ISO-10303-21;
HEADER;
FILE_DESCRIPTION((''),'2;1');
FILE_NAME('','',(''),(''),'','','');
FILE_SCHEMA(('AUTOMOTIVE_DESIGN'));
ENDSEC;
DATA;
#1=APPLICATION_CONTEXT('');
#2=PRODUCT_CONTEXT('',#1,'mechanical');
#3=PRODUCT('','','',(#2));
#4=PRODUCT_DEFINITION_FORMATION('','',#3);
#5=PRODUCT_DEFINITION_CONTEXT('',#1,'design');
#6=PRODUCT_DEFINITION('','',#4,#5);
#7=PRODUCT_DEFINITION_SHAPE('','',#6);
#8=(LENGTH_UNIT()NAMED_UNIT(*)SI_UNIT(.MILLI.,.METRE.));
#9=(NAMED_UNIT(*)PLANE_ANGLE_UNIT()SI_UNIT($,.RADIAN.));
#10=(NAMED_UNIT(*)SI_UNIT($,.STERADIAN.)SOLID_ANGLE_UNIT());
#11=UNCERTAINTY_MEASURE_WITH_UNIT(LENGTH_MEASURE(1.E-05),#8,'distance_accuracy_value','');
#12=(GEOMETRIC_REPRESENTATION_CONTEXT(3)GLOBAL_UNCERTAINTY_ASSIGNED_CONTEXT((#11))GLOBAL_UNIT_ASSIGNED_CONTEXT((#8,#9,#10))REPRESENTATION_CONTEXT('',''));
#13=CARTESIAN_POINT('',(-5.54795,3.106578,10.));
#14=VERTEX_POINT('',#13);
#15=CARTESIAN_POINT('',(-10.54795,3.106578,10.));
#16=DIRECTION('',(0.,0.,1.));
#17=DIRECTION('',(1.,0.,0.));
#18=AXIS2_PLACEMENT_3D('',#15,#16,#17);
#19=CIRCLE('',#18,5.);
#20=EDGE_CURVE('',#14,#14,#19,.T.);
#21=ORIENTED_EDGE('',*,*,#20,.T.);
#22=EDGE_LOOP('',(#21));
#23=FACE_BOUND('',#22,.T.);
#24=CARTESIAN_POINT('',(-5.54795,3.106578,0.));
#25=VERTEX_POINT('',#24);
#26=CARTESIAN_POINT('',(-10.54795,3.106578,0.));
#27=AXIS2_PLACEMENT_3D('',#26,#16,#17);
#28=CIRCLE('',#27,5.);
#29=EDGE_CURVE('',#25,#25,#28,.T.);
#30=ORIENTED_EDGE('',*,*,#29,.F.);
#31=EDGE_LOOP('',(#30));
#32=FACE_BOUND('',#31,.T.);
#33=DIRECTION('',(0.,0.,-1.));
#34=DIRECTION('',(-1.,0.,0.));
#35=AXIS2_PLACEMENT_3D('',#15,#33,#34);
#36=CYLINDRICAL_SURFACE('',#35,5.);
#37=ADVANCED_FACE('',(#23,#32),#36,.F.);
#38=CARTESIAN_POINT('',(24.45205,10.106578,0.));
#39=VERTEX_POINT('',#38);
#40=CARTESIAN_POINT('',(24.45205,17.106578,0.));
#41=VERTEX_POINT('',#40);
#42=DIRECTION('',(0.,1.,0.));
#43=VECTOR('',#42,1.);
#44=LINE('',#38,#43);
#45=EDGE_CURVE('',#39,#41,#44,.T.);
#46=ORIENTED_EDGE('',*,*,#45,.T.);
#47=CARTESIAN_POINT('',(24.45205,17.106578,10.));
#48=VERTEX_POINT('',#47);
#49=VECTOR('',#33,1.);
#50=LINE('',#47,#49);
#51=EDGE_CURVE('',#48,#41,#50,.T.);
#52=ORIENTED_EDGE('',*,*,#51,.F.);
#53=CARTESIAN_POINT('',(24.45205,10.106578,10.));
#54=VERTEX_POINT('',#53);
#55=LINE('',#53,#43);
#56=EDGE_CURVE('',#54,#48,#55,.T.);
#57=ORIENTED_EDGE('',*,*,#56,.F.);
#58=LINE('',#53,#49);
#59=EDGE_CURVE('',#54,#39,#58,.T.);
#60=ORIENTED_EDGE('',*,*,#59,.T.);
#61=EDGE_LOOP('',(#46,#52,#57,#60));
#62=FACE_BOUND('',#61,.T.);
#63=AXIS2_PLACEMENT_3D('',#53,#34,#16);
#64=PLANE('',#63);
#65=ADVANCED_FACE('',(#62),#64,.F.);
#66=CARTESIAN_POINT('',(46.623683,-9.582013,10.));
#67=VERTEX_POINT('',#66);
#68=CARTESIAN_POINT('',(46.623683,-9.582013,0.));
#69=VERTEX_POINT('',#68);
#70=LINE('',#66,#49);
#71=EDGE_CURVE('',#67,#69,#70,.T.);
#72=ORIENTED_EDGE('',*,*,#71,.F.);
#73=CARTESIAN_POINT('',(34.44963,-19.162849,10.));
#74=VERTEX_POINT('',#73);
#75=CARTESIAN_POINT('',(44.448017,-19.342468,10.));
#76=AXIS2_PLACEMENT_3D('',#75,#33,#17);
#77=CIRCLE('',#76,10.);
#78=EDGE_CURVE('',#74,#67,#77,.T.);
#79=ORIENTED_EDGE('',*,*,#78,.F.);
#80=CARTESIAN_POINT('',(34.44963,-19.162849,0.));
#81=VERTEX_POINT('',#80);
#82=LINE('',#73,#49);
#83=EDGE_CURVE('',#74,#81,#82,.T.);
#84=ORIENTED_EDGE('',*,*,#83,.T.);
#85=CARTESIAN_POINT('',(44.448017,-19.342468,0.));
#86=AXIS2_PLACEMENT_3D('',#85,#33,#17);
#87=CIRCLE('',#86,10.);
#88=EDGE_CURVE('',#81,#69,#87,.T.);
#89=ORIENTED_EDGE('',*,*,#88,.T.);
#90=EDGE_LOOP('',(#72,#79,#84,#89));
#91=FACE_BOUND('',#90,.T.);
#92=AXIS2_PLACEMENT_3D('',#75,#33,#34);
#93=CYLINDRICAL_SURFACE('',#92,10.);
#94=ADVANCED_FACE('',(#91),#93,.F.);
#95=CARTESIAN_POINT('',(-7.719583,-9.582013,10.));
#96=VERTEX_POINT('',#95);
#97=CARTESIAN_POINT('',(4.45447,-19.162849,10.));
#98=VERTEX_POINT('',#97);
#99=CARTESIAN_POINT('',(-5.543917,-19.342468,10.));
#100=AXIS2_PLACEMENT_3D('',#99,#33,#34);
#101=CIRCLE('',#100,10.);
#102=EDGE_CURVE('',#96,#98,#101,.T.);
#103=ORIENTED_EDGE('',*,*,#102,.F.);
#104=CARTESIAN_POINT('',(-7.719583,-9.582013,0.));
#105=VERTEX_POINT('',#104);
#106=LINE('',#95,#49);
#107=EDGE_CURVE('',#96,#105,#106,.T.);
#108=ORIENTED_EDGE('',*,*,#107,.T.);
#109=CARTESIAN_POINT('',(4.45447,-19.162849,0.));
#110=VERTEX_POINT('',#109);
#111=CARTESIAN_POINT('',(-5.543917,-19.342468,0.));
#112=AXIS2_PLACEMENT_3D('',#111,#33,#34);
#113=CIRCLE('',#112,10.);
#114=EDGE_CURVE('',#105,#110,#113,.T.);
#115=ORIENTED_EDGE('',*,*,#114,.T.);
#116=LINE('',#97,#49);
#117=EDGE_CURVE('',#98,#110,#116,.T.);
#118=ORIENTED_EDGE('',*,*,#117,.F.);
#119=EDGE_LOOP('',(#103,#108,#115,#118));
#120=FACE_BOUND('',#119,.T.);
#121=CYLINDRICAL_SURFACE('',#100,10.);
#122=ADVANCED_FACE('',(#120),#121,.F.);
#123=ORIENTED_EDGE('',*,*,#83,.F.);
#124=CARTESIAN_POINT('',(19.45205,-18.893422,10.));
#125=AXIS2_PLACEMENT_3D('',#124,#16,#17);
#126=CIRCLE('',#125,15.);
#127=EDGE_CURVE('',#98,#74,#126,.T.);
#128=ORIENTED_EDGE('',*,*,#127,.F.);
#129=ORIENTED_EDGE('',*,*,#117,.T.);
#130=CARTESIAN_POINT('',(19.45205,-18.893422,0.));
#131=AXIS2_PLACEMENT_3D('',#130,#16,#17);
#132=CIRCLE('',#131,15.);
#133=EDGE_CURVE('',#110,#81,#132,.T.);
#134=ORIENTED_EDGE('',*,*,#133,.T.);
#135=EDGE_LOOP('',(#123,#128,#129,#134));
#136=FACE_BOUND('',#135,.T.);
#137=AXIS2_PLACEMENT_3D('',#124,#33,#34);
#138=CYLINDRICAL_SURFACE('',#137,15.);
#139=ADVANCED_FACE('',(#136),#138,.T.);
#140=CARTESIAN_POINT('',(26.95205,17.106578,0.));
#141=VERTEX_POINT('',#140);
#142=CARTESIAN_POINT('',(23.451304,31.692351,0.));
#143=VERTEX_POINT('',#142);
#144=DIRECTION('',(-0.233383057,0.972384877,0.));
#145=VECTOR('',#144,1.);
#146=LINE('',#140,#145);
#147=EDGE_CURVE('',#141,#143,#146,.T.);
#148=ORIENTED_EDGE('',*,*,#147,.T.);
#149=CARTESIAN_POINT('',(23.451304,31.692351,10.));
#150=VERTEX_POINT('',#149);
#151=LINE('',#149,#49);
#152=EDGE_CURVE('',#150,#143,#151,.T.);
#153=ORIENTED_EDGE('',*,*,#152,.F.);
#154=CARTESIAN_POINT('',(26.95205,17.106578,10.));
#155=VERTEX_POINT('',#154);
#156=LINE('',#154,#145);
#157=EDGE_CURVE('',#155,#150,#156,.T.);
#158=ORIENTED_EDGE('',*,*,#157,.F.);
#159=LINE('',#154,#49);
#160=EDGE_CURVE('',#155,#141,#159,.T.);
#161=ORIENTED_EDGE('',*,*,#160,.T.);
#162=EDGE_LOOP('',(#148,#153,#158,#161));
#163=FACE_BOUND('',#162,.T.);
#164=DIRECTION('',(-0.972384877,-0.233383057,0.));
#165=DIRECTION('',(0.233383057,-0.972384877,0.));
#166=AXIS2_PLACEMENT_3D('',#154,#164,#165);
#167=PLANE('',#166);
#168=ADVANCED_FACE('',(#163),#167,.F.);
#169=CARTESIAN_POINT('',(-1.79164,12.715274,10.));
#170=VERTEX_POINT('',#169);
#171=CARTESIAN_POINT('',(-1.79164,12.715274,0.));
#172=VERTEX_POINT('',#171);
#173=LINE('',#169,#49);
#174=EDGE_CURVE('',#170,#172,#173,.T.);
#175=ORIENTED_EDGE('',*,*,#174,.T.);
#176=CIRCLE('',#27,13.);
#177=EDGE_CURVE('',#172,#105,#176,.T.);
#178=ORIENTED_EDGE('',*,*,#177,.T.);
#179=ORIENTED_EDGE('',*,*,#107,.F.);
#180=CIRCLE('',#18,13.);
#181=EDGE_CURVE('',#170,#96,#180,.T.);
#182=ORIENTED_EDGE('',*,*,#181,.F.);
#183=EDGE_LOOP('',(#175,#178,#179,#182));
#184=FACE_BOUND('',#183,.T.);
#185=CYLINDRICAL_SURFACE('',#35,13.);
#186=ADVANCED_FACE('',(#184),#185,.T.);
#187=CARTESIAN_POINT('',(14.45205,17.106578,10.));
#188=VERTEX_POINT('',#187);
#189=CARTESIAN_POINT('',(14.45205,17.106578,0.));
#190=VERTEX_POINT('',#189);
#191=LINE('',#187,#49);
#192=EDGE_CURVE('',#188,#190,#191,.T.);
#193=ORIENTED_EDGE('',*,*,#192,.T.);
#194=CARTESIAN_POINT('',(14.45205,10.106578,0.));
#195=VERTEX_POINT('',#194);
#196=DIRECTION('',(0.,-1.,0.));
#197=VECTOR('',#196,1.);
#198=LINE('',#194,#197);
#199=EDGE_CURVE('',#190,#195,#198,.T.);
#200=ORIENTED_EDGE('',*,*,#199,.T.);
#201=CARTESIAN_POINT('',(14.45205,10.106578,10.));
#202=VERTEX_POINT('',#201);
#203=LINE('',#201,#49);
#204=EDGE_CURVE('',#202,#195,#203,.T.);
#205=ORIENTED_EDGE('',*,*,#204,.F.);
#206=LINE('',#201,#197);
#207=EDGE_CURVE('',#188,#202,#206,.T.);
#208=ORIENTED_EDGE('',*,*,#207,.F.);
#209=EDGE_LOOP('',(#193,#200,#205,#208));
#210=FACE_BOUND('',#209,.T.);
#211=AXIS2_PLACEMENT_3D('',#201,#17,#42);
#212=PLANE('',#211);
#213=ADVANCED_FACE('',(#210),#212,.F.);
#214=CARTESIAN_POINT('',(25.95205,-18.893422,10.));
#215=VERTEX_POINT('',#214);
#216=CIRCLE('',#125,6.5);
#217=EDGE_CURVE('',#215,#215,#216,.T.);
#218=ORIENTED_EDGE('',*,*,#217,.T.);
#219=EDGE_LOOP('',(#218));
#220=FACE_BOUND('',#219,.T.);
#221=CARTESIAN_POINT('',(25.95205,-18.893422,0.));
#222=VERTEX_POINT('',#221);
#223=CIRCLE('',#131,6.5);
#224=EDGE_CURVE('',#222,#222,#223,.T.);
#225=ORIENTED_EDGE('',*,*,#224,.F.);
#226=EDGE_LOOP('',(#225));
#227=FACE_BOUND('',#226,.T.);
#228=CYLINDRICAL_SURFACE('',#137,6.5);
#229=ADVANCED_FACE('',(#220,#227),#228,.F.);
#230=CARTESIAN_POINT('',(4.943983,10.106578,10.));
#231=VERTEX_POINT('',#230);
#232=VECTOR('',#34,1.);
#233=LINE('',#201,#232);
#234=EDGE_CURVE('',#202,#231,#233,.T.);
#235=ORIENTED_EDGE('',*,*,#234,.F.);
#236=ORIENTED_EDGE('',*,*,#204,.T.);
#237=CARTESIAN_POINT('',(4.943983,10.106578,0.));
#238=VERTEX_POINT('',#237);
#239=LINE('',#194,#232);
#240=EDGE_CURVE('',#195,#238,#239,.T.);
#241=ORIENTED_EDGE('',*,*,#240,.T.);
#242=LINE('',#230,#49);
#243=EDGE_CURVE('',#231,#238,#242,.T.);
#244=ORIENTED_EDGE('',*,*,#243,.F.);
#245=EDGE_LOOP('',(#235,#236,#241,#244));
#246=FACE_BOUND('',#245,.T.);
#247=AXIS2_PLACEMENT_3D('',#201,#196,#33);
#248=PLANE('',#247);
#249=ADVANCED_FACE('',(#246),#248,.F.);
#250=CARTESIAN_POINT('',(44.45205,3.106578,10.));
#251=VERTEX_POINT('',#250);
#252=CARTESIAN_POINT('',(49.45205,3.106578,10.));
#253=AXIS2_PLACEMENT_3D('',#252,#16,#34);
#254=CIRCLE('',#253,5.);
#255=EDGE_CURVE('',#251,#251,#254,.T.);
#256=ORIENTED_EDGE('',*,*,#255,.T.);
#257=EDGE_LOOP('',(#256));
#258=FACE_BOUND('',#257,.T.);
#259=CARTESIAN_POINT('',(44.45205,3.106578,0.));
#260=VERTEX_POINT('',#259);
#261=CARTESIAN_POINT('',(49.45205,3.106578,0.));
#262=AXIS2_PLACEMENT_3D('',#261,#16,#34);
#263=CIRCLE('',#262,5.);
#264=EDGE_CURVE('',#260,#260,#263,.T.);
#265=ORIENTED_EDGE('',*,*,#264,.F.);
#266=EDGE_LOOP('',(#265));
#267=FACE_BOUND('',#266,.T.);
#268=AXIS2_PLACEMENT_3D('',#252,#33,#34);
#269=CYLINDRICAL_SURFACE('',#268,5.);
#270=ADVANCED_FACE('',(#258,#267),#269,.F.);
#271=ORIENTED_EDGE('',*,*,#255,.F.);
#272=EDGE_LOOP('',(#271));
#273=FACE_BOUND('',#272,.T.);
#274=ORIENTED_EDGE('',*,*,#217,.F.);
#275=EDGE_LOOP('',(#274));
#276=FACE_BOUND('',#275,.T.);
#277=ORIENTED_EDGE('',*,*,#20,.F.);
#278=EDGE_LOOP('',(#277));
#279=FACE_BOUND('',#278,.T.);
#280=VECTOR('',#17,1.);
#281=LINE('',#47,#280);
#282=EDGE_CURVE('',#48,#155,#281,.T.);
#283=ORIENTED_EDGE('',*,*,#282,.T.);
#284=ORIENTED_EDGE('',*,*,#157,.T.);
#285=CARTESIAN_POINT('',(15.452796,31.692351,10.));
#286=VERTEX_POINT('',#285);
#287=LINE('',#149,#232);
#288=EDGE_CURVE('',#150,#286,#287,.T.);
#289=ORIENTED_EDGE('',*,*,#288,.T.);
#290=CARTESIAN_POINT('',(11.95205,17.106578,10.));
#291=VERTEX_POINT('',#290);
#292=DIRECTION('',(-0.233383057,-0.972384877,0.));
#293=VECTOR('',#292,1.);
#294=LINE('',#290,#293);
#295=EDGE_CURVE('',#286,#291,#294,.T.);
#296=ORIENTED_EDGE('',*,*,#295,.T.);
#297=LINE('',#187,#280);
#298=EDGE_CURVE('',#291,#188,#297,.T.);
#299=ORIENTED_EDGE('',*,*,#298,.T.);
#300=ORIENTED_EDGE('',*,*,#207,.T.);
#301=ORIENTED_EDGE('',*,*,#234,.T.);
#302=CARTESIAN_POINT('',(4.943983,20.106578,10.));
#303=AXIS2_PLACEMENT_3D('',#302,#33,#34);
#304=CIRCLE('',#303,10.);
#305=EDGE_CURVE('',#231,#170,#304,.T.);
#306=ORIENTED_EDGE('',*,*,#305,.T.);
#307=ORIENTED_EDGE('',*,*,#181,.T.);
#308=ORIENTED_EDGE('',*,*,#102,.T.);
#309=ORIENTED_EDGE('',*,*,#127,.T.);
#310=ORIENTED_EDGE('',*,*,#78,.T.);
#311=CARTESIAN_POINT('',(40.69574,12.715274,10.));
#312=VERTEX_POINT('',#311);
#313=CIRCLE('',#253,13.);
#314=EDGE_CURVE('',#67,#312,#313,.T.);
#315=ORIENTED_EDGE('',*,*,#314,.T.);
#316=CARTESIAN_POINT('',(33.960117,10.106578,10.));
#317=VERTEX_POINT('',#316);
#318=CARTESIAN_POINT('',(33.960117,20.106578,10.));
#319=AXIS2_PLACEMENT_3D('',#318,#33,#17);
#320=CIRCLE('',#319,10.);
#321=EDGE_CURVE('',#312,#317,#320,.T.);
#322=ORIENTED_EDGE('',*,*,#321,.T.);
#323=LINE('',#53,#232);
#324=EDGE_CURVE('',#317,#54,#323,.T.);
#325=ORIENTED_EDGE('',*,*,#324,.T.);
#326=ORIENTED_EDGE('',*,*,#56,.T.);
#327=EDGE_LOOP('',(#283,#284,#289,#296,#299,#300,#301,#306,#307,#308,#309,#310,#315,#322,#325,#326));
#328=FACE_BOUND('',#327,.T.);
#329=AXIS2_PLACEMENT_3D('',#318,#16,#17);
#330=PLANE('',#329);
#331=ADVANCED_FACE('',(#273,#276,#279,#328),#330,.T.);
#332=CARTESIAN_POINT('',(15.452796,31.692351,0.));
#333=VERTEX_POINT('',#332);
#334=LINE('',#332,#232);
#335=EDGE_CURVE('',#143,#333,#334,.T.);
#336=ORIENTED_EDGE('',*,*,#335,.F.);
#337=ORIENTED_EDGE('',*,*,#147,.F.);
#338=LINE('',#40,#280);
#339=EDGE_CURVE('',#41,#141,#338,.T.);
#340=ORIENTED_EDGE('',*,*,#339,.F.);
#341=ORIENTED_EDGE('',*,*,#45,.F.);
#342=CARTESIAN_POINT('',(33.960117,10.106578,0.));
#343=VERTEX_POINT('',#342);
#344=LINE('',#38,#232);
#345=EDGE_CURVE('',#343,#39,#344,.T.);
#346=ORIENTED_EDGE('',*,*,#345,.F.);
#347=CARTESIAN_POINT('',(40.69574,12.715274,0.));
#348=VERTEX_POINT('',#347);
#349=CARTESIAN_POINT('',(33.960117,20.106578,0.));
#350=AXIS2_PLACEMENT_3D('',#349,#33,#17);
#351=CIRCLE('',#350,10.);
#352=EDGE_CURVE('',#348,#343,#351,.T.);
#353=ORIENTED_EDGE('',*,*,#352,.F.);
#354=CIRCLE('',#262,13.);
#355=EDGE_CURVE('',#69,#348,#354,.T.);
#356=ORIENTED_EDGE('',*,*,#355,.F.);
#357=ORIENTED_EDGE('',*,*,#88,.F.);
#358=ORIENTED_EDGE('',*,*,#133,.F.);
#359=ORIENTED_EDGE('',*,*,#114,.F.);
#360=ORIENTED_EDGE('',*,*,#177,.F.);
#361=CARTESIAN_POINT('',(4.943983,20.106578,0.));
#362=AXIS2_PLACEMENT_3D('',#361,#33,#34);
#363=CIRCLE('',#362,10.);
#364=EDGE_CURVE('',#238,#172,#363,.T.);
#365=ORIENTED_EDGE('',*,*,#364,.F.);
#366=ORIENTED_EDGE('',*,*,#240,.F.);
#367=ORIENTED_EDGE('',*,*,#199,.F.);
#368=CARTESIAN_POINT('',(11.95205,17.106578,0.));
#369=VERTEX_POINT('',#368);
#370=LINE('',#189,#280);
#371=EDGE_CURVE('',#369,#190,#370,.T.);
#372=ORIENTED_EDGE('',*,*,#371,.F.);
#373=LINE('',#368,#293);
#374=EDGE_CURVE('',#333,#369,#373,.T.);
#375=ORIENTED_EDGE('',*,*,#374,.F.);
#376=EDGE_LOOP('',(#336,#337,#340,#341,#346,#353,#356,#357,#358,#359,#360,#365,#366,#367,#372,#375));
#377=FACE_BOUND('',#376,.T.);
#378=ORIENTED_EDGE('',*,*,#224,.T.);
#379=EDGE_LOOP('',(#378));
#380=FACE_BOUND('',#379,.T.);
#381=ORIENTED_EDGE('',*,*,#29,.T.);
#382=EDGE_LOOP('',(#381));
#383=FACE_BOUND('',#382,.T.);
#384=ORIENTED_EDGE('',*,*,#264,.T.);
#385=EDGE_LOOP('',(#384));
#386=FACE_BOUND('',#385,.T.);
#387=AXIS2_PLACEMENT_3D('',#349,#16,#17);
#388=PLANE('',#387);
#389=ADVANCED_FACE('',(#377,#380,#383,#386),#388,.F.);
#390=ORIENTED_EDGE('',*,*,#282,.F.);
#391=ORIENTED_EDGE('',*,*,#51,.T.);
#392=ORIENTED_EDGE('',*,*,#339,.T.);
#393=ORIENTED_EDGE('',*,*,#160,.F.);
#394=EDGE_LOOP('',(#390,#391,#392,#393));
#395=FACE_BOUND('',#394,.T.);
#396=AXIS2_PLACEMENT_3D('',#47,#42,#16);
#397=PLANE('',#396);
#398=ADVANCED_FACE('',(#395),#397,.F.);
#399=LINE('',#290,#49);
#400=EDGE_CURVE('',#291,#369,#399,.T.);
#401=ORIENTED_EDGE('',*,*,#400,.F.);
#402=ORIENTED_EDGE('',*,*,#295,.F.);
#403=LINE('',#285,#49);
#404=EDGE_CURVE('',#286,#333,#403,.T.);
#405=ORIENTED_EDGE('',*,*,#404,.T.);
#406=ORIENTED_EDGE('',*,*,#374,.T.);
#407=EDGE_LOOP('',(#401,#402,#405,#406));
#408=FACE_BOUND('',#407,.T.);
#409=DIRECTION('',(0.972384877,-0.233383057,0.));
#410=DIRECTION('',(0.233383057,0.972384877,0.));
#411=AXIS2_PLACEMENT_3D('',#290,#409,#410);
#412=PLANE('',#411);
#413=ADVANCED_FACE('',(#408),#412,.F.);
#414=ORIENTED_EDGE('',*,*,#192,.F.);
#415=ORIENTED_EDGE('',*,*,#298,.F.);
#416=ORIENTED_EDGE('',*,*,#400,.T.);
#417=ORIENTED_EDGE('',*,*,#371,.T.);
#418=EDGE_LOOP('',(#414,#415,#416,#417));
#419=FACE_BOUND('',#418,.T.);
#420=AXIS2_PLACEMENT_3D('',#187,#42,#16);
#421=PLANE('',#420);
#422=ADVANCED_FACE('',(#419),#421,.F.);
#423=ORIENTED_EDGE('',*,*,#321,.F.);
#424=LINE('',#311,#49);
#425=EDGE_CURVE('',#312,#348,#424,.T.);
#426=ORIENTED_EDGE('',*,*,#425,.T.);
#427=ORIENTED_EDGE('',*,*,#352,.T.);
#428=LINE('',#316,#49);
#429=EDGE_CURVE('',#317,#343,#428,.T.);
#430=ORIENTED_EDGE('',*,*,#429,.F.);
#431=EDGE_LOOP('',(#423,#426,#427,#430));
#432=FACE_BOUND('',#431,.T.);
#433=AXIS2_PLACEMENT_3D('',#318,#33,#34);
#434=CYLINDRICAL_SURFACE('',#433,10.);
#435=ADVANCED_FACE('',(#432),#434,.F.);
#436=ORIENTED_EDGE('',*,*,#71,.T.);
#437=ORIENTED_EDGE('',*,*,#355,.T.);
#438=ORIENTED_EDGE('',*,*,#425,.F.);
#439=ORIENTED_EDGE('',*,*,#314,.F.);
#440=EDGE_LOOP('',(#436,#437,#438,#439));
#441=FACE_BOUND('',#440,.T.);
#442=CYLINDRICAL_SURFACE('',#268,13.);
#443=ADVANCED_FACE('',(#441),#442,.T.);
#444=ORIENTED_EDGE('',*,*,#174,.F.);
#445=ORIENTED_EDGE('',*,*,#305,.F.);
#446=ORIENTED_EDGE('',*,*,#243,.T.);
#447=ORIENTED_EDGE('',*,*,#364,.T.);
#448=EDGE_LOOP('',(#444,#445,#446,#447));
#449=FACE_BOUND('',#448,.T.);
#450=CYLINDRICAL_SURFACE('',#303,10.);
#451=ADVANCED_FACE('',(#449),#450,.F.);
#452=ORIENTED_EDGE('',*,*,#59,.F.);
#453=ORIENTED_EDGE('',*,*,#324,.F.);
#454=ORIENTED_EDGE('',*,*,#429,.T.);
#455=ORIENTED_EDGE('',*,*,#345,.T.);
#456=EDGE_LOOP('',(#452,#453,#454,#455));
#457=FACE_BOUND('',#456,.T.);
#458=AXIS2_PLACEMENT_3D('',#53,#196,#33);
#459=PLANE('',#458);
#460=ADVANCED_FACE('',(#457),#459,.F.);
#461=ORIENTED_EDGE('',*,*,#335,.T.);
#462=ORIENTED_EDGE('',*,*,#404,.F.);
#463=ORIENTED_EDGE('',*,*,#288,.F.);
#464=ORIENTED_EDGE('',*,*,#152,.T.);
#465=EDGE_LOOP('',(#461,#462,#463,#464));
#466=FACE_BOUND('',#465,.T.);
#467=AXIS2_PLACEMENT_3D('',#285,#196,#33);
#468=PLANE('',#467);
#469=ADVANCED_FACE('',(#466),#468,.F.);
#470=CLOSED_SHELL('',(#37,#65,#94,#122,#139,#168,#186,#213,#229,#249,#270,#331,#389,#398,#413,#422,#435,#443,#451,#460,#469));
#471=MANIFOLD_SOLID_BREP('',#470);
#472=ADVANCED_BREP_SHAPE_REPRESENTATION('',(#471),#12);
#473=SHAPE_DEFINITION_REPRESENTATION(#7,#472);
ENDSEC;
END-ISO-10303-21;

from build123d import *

# Parameters (mm, degrees)
SKETCH1_R           = 5
SKETCH1_R_2         = 6.5
BOSS_EXTRUDE1_DEPTH = 10


with BuildPart() as part:
    # Sketch1 → Boss-Extrude1 (new body)
    with BuildSketch(Plane.XY):
        with BuildLine():
            Line((14.452049987, 10.106578028), (4.943983372, 10.106578028))
            ThreePointArc((4.943983372, 10.106578028), (1.33240778, 10.781529946), (-1.791639839, 12.715273681))
            ThreePointArc((-1.791639839, 12.715273681), (-23.111525629, 6.446722896), (-7.719583441, -9.58201301))
            ThreePointArc((-7.719583441, -9.58201301), (0.640486438, -11.484150022), (4.454469887, -19.162849381))
            ThreePointArc((4.454469887, -19.162849381), (19.452049987, -33.893421972), (34.449630088, -19.162849381))
            ThreePointArc((34.449630088, -19.162849381), (38.263613537, -11.484150022), (46.623683415, -9.58201301))
            ThreePointArc((46.623683415, -9.58201301), (62.015625604, 6.446722896), (40.695739813, 12.715273681))
            ThreePointArc((40.695739813, 12.715273681), (37.571692195, 10.781529946), (33.960116603, 10.106578028))
            Line((33.960116603, 10.106578028), (24.452049987, 10.106578028))
            Line((24.452049987, 10.106578028), (24.452049987, 17.106578028))
            Line((24.452049987, 17.106578028), (26.952049987, 17.106578028))
            Line((26.952049987, 17.106578028), (23.451304138, 31.692351182))
            Line((23.451304138, 31.692351182), (19.452049987, 31.692351182))
            Line((19.452049987, 31.692351182), (15.452795837, 31.692351182))
            Line((15.452795837, 31.692351182), (11.952049987, 17.106578028))
            Line((11.952049987, 17.106578028), (14.452049987, 17.106578028))
            Line((14.452049987, 17.106578028), (14.452049987, 10.106578028))
        make_face()
        with Locations((-10.547950013, 3.106578028)):
            Circle(SKETCH1_R, mode=Mode.SUBTRACT)
        with Locations((49.452049987, 3.106578028)):
            Circle(SKETCH1_R, mode=Mode.SUBTRACT)
        with Locations((19.452049987, -18.893421972)):
            Circle(SKETCH1_R_2, mode=Mode.SUBTRACT)
    extrude(amount=BOSS_EXTRUDE1_DEPTH)


solid = part.part
